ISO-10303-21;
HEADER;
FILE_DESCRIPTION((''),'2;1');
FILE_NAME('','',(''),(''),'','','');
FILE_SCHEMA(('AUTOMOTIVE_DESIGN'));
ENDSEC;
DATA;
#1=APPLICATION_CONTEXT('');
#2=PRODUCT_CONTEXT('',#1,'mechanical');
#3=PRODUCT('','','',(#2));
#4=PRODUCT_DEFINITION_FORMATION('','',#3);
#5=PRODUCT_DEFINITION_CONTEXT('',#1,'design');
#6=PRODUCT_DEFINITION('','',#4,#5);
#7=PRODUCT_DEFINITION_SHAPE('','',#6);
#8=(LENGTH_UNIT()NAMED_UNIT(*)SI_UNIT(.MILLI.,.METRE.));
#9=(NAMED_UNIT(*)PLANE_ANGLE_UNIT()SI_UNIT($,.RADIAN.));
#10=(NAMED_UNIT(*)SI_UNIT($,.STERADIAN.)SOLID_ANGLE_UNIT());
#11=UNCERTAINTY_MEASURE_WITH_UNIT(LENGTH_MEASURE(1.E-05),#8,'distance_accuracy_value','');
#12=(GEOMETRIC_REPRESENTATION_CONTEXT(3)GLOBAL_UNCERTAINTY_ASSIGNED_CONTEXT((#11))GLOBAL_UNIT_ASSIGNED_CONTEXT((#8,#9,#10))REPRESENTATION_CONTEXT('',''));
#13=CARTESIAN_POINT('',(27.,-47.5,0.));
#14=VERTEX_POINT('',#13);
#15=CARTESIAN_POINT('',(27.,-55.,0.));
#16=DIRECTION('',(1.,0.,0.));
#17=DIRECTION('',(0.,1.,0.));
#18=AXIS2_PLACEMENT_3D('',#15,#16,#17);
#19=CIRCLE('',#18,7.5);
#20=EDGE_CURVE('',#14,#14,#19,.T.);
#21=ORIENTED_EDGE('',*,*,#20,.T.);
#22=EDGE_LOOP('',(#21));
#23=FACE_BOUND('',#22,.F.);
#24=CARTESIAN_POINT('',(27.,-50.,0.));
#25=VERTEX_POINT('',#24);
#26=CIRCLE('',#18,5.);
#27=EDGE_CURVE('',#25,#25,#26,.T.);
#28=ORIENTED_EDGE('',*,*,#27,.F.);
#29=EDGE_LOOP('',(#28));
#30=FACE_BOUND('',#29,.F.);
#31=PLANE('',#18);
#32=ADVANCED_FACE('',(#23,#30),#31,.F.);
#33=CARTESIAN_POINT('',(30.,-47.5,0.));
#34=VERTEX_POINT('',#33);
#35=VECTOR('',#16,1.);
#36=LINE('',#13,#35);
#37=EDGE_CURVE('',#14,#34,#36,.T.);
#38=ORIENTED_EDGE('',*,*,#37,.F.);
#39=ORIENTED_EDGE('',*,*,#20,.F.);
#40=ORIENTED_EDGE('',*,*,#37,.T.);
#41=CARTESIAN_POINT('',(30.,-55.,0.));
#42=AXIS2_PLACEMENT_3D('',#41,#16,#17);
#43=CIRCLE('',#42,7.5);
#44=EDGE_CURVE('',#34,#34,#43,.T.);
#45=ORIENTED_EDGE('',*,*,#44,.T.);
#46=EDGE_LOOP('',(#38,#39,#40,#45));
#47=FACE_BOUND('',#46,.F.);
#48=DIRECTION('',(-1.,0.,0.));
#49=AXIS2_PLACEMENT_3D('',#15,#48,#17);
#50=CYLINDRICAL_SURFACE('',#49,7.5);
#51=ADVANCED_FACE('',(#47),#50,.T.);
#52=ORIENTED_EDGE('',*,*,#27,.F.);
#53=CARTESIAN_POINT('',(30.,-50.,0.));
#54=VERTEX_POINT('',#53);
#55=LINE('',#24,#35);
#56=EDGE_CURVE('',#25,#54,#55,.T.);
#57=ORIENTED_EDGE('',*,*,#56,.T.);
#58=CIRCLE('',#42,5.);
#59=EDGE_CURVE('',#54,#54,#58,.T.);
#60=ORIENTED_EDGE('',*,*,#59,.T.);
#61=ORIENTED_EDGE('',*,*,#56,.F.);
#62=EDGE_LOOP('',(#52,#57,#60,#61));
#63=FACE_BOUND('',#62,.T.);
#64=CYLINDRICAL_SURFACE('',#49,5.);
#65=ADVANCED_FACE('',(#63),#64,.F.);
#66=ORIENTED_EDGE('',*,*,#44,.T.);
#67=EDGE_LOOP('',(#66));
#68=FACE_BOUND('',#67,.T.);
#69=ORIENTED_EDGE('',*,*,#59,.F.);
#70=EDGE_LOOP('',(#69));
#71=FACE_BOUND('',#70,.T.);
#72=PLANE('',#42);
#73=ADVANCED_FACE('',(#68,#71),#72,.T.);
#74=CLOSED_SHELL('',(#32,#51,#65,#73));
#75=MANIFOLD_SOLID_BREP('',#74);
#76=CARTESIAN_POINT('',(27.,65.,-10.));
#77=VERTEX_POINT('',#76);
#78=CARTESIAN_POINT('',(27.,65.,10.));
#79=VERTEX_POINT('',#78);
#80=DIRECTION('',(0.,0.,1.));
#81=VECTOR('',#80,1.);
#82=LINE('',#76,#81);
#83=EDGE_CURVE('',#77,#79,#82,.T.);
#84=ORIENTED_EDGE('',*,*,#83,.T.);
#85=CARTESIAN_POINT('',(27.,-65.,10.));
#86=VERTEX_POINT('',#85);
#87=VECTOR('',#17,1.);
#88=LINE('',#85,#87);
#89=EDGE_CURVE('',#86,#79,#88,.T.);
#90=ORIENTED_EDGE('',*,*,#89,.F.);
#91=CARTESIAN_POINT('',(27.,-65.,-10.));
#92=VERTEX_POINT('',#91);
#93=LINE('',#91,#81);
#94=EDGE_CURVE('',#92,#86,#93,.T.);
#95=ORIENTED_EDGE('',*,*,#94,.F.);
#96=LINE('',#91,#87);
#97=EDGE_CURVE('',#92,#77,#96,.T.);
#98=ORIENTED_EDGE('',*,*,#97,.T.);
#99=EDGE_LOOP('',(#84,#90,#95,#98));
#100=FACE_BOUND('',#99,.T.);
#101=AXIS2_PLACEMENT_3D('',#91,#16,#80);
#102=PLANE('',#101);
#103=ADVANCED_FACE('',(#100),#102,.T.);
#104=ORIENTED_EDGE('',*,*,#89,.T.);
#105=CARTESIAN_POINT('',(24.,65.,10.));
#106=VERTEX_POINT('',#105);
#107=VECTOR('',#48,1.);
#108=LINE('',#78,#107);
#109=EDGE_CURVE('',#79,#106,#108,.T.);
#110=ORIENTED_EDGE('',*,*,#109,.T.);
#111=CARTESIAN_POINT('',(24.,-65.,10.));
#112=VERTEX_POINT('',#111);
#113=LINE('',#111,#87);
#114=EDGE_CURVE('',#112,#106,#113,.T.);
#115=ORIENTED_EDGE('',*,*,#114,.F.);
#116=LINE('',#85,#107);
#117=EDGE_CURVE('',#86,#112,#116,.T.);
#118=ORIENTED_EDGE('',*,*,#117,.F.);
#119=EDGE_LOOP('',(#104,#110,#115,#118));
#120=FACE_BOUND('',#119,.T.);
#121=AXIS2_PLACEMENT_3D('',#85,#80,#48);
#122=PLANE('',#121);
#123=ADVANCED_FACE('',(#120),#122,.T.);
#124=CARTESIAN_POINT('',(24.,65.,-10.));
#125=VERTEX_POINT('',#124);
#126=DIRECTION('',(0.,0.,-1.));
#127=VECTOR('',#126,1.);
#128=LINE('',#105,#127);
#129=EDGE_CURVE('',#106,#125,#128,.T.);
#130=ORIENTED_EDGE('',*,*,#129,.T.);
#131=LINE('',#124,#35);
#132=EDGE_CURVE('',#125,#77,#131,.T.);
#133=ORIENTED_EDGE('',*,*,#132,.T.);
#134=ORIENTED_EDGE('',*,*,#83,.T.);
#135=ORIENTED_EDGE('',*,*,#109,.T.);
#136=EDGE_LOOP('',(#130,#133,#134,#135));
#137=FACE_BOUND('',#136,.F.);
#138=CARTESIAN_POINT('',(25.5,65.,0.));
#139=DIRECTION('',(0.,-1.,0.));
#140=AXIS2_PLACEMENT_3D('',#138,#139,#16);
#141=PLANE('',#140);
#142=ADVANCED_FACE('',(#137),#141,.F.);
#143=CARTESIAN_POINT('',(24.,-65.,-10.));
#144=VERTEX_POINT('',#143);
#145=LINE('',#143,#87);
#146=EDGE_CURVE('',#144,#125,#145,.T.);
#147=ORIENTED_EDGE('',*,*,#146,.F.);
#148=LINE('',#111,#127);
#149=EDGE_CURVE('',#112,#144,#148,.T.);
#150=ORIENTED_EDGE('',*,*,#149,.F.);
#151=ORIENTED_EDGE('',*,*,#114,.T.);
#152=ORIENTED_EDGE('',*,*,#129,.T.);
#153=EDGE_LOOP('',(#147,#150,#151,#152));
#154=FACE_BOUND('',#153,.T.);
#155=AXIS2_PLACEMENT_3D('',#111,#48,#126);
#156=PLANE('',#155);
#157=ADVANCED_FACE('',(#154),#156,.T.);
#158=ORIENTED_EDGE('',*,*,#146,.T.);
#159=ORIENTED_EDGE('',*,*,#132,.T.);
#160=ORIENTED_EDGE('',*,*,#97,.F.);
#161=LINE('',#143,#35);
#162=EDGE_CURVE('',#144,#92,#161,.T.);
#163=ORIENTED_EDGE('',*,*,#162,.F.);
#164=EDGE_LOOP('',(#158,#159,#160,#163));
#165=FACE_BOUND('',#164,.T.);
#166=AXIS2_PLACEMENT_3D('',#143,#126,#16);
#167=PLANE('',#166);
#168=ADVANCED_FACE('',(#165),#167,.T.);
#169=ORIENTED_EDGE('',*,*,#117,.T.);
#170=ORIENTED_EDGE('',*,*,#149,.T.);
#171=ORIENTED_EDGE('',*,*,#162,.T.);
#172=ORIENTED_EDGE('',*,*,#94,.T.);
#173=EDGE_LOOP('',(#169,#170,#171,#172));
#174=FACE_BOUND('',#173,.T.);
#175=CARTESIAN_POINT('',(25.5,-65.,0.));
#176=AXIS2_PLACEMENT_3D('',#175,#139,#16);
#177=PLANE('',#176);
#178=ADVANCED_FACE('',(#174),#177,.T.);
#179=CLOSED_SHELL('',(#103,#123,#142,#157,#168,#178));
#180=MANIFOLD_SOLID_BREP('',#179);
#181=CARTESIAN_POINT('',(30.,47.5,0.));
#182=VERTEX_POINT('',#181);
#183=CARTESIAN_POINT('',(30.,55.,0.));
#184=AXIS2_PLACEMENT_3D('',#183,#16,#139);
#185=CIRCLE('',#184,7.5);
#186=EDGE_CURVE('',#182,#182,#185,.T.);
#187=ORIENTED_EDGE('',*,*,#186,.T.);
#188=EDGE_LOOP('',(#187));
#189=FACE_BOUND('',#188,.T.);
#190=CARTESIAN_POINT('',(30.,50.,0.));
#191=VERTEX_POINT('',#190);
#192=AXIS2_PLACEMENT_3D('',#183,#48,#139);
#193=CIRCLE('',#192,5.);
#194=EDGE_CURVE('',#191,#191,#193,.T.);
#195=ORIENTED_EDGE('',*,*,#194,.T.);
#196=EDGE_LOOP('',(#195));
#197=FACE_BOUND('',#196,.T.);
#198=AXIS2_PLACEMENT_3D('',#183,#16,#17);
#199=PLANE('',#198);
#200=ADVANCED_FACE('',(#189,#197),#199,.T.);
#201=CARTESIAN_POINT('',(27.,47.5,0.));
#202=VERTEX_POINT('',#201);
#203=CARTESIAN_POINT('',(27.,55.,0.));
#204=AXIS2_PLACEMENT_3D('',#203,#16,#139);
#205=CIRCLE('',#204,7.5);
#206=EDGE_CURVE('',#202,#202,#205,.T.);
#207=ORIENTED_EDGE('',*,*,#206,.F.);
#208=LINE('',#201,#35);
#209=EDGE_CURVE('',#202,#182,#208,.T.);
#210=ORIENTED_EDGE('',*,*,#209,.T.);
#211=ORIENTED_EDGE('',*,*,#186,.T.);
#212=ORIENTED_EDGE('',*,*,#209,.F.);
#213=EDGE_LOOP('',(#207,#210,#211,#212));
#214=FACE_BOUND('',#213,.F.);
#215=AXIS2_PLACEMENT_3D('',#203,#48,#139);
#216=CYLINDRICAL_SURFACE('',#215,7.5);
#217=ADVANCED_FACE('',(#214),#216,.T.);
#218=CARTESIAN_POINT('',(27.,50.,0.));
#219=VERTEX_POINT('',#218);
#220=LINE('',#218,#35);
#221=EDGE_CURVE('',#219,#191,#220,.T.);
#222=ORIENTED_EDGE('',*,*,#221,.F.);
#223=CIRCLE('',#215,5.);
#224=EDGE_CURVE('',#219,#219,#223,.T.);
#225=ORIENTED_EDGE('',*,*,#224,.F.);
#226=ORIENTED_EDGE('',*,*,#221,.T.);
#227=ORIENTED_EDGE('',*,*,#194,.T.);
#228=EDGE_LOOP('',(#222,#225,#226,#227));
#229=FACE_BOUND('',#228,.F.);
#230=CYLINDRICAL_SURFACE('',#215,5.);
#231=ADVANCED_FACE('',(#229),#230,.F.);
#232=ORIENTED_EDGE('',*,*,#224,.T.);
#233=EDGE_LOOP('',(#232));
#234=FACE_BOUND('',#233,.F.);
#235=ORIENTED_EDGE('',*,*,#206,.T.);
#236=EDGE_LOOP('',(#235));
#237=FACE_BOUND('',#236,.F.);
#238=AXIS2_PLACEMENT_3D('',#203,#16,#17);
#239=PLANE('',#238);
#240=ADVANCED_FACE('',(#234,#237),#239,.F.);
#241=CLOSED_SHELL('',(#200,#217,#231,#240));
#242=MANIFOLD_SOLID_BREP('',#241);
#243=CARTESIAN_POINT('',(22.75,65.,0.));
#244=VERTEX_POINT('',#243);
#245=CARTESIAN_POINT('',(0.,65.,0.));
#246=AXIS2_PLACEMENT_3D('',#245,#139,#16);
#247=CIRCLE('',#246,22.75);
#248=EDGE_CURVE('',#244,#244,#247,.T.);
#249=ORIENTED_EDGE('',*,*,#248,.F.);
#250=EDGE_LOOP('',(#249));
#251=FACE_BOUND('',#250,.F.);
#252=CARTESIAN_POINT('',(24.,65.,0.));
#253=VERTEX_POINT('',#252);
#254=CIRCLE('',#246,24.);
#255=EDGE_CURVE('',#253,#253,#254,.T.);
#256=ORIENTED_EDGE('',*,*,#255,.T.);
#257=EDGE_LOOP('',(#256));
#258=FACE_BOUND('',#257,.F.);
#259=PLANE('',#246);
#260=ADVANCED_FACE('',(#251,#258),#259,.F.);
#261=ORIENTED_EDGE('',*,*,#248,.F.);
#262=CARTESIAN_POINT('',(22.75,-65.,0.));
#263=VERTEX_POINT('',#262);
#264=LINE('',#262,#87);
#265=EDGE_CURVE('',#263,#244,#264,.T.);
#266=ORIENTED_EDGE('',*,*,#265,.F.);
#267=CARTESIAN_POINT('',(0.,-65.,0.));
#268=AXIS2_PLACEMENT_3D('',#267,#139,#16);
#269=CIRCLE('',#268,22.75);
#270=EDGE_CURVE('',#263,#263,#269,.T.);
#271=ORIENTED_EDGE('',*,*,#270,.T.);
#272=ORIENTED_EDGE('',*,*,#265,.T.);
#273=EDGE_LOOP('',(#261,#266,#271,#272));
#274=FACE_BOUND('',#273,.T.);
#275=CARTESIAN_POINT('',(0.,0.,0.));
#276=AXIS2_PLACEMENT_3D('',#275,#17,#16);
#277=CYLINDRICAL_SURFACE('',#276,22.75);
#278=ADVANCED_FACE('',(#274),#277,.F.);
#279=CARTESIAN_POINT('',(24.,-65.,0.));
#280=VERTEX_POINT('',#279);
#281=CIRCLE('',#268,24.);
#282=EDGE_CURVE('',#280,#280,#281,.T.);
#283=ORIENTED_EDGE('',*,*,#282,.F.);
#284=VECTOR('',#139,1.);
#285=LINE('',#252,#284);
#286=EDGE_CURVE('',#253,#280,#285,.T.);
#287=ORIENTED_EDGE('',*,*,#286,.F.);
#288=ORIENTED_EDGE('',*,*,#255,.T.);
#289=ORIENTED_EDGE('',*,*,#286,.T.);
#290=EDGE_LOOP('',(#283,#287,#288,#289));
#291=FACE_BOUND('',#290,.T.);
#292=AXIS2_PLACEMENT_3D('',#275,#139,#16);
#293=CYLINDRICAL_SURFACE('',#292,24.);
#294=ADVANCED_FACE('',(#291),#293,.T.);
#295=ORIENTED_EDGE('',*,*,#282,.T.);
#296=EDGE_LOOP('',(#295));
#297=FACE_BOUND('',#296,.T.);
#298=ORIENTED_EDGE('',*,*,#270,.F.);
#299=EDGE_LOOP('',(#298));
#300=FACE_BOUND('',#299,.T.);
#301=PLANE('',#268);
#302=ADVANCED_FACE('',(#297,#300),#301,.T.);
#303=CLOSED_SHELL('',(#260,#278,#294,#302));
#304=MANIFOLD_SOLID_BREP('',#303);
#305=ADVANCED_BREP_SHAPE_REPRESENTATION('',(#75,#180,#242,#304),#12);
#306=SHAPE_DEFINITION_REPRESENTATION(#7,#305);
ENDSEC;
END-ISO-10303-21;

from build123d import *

# Parameters (mm, degrees)
F0_R     = 24
F0_R_2   = 22.75
F1_DEPTH = 65
F3_DEPTH = 130
F4_R     = 7.5
F4_R_2   = 5
F5_DEPTH = 3


with BuildPart() as f1:
    # F0 (on Front) → F1 (new body, symmetric)
    with BuildSketch(Plane.XZ):
        Circle(F0_R)
        Circle(F0_R_2, mode=Mode.SUBTRACT)
    extrude(amount=F1_DEPTH, both=True)


with BuildPart() as f3:
    # F2 (on face) → F3 (new body)
    with BuildSketch(Plane.XZ.offset(65)):
        Polygon((24, 10), (24, 0), (24, -10), (27, -10), (27, 10), align=None)
    extrude(amount=-F3_DEPTH)


with BuildPart() as f5:
    # F4 (on face) → F5 (new body)
    with BuildSketch(Plane.YZ.offset(27)):
        with Locations((-55, 0)):
            Circle(F4_R)
        with Locations((-55, 0)):
            Circle(F4_R_2, mode=Mode.SUBTRACT)
    extrude(amount=F5_DEPTH)


with BuildPart() as f5b:
    # F4 (on face) → F5, piece 2 (new body)
    with BuildSketch(Plane.YZ.offset(27)):
        with BuildLine():
            ThreePointArc((62.5, 0), (55, 7.5), (47.5, 0))
            ThreePointArc((47.5, 0), (55, -7.5), (62.5, 0))
        make_face()
        with BuildLine():
            ThreePointArc((60, 0), (55, -5), (50, 0))
            ThreePointArc((50, 0), (55, 5), (60, 0))
        make_face(mode=Mode.SUBTRACT)
    extrude(amount=F5_DEPTH)


solid = Compound([f1.part, f3.part, f5.part, f5b.part])
